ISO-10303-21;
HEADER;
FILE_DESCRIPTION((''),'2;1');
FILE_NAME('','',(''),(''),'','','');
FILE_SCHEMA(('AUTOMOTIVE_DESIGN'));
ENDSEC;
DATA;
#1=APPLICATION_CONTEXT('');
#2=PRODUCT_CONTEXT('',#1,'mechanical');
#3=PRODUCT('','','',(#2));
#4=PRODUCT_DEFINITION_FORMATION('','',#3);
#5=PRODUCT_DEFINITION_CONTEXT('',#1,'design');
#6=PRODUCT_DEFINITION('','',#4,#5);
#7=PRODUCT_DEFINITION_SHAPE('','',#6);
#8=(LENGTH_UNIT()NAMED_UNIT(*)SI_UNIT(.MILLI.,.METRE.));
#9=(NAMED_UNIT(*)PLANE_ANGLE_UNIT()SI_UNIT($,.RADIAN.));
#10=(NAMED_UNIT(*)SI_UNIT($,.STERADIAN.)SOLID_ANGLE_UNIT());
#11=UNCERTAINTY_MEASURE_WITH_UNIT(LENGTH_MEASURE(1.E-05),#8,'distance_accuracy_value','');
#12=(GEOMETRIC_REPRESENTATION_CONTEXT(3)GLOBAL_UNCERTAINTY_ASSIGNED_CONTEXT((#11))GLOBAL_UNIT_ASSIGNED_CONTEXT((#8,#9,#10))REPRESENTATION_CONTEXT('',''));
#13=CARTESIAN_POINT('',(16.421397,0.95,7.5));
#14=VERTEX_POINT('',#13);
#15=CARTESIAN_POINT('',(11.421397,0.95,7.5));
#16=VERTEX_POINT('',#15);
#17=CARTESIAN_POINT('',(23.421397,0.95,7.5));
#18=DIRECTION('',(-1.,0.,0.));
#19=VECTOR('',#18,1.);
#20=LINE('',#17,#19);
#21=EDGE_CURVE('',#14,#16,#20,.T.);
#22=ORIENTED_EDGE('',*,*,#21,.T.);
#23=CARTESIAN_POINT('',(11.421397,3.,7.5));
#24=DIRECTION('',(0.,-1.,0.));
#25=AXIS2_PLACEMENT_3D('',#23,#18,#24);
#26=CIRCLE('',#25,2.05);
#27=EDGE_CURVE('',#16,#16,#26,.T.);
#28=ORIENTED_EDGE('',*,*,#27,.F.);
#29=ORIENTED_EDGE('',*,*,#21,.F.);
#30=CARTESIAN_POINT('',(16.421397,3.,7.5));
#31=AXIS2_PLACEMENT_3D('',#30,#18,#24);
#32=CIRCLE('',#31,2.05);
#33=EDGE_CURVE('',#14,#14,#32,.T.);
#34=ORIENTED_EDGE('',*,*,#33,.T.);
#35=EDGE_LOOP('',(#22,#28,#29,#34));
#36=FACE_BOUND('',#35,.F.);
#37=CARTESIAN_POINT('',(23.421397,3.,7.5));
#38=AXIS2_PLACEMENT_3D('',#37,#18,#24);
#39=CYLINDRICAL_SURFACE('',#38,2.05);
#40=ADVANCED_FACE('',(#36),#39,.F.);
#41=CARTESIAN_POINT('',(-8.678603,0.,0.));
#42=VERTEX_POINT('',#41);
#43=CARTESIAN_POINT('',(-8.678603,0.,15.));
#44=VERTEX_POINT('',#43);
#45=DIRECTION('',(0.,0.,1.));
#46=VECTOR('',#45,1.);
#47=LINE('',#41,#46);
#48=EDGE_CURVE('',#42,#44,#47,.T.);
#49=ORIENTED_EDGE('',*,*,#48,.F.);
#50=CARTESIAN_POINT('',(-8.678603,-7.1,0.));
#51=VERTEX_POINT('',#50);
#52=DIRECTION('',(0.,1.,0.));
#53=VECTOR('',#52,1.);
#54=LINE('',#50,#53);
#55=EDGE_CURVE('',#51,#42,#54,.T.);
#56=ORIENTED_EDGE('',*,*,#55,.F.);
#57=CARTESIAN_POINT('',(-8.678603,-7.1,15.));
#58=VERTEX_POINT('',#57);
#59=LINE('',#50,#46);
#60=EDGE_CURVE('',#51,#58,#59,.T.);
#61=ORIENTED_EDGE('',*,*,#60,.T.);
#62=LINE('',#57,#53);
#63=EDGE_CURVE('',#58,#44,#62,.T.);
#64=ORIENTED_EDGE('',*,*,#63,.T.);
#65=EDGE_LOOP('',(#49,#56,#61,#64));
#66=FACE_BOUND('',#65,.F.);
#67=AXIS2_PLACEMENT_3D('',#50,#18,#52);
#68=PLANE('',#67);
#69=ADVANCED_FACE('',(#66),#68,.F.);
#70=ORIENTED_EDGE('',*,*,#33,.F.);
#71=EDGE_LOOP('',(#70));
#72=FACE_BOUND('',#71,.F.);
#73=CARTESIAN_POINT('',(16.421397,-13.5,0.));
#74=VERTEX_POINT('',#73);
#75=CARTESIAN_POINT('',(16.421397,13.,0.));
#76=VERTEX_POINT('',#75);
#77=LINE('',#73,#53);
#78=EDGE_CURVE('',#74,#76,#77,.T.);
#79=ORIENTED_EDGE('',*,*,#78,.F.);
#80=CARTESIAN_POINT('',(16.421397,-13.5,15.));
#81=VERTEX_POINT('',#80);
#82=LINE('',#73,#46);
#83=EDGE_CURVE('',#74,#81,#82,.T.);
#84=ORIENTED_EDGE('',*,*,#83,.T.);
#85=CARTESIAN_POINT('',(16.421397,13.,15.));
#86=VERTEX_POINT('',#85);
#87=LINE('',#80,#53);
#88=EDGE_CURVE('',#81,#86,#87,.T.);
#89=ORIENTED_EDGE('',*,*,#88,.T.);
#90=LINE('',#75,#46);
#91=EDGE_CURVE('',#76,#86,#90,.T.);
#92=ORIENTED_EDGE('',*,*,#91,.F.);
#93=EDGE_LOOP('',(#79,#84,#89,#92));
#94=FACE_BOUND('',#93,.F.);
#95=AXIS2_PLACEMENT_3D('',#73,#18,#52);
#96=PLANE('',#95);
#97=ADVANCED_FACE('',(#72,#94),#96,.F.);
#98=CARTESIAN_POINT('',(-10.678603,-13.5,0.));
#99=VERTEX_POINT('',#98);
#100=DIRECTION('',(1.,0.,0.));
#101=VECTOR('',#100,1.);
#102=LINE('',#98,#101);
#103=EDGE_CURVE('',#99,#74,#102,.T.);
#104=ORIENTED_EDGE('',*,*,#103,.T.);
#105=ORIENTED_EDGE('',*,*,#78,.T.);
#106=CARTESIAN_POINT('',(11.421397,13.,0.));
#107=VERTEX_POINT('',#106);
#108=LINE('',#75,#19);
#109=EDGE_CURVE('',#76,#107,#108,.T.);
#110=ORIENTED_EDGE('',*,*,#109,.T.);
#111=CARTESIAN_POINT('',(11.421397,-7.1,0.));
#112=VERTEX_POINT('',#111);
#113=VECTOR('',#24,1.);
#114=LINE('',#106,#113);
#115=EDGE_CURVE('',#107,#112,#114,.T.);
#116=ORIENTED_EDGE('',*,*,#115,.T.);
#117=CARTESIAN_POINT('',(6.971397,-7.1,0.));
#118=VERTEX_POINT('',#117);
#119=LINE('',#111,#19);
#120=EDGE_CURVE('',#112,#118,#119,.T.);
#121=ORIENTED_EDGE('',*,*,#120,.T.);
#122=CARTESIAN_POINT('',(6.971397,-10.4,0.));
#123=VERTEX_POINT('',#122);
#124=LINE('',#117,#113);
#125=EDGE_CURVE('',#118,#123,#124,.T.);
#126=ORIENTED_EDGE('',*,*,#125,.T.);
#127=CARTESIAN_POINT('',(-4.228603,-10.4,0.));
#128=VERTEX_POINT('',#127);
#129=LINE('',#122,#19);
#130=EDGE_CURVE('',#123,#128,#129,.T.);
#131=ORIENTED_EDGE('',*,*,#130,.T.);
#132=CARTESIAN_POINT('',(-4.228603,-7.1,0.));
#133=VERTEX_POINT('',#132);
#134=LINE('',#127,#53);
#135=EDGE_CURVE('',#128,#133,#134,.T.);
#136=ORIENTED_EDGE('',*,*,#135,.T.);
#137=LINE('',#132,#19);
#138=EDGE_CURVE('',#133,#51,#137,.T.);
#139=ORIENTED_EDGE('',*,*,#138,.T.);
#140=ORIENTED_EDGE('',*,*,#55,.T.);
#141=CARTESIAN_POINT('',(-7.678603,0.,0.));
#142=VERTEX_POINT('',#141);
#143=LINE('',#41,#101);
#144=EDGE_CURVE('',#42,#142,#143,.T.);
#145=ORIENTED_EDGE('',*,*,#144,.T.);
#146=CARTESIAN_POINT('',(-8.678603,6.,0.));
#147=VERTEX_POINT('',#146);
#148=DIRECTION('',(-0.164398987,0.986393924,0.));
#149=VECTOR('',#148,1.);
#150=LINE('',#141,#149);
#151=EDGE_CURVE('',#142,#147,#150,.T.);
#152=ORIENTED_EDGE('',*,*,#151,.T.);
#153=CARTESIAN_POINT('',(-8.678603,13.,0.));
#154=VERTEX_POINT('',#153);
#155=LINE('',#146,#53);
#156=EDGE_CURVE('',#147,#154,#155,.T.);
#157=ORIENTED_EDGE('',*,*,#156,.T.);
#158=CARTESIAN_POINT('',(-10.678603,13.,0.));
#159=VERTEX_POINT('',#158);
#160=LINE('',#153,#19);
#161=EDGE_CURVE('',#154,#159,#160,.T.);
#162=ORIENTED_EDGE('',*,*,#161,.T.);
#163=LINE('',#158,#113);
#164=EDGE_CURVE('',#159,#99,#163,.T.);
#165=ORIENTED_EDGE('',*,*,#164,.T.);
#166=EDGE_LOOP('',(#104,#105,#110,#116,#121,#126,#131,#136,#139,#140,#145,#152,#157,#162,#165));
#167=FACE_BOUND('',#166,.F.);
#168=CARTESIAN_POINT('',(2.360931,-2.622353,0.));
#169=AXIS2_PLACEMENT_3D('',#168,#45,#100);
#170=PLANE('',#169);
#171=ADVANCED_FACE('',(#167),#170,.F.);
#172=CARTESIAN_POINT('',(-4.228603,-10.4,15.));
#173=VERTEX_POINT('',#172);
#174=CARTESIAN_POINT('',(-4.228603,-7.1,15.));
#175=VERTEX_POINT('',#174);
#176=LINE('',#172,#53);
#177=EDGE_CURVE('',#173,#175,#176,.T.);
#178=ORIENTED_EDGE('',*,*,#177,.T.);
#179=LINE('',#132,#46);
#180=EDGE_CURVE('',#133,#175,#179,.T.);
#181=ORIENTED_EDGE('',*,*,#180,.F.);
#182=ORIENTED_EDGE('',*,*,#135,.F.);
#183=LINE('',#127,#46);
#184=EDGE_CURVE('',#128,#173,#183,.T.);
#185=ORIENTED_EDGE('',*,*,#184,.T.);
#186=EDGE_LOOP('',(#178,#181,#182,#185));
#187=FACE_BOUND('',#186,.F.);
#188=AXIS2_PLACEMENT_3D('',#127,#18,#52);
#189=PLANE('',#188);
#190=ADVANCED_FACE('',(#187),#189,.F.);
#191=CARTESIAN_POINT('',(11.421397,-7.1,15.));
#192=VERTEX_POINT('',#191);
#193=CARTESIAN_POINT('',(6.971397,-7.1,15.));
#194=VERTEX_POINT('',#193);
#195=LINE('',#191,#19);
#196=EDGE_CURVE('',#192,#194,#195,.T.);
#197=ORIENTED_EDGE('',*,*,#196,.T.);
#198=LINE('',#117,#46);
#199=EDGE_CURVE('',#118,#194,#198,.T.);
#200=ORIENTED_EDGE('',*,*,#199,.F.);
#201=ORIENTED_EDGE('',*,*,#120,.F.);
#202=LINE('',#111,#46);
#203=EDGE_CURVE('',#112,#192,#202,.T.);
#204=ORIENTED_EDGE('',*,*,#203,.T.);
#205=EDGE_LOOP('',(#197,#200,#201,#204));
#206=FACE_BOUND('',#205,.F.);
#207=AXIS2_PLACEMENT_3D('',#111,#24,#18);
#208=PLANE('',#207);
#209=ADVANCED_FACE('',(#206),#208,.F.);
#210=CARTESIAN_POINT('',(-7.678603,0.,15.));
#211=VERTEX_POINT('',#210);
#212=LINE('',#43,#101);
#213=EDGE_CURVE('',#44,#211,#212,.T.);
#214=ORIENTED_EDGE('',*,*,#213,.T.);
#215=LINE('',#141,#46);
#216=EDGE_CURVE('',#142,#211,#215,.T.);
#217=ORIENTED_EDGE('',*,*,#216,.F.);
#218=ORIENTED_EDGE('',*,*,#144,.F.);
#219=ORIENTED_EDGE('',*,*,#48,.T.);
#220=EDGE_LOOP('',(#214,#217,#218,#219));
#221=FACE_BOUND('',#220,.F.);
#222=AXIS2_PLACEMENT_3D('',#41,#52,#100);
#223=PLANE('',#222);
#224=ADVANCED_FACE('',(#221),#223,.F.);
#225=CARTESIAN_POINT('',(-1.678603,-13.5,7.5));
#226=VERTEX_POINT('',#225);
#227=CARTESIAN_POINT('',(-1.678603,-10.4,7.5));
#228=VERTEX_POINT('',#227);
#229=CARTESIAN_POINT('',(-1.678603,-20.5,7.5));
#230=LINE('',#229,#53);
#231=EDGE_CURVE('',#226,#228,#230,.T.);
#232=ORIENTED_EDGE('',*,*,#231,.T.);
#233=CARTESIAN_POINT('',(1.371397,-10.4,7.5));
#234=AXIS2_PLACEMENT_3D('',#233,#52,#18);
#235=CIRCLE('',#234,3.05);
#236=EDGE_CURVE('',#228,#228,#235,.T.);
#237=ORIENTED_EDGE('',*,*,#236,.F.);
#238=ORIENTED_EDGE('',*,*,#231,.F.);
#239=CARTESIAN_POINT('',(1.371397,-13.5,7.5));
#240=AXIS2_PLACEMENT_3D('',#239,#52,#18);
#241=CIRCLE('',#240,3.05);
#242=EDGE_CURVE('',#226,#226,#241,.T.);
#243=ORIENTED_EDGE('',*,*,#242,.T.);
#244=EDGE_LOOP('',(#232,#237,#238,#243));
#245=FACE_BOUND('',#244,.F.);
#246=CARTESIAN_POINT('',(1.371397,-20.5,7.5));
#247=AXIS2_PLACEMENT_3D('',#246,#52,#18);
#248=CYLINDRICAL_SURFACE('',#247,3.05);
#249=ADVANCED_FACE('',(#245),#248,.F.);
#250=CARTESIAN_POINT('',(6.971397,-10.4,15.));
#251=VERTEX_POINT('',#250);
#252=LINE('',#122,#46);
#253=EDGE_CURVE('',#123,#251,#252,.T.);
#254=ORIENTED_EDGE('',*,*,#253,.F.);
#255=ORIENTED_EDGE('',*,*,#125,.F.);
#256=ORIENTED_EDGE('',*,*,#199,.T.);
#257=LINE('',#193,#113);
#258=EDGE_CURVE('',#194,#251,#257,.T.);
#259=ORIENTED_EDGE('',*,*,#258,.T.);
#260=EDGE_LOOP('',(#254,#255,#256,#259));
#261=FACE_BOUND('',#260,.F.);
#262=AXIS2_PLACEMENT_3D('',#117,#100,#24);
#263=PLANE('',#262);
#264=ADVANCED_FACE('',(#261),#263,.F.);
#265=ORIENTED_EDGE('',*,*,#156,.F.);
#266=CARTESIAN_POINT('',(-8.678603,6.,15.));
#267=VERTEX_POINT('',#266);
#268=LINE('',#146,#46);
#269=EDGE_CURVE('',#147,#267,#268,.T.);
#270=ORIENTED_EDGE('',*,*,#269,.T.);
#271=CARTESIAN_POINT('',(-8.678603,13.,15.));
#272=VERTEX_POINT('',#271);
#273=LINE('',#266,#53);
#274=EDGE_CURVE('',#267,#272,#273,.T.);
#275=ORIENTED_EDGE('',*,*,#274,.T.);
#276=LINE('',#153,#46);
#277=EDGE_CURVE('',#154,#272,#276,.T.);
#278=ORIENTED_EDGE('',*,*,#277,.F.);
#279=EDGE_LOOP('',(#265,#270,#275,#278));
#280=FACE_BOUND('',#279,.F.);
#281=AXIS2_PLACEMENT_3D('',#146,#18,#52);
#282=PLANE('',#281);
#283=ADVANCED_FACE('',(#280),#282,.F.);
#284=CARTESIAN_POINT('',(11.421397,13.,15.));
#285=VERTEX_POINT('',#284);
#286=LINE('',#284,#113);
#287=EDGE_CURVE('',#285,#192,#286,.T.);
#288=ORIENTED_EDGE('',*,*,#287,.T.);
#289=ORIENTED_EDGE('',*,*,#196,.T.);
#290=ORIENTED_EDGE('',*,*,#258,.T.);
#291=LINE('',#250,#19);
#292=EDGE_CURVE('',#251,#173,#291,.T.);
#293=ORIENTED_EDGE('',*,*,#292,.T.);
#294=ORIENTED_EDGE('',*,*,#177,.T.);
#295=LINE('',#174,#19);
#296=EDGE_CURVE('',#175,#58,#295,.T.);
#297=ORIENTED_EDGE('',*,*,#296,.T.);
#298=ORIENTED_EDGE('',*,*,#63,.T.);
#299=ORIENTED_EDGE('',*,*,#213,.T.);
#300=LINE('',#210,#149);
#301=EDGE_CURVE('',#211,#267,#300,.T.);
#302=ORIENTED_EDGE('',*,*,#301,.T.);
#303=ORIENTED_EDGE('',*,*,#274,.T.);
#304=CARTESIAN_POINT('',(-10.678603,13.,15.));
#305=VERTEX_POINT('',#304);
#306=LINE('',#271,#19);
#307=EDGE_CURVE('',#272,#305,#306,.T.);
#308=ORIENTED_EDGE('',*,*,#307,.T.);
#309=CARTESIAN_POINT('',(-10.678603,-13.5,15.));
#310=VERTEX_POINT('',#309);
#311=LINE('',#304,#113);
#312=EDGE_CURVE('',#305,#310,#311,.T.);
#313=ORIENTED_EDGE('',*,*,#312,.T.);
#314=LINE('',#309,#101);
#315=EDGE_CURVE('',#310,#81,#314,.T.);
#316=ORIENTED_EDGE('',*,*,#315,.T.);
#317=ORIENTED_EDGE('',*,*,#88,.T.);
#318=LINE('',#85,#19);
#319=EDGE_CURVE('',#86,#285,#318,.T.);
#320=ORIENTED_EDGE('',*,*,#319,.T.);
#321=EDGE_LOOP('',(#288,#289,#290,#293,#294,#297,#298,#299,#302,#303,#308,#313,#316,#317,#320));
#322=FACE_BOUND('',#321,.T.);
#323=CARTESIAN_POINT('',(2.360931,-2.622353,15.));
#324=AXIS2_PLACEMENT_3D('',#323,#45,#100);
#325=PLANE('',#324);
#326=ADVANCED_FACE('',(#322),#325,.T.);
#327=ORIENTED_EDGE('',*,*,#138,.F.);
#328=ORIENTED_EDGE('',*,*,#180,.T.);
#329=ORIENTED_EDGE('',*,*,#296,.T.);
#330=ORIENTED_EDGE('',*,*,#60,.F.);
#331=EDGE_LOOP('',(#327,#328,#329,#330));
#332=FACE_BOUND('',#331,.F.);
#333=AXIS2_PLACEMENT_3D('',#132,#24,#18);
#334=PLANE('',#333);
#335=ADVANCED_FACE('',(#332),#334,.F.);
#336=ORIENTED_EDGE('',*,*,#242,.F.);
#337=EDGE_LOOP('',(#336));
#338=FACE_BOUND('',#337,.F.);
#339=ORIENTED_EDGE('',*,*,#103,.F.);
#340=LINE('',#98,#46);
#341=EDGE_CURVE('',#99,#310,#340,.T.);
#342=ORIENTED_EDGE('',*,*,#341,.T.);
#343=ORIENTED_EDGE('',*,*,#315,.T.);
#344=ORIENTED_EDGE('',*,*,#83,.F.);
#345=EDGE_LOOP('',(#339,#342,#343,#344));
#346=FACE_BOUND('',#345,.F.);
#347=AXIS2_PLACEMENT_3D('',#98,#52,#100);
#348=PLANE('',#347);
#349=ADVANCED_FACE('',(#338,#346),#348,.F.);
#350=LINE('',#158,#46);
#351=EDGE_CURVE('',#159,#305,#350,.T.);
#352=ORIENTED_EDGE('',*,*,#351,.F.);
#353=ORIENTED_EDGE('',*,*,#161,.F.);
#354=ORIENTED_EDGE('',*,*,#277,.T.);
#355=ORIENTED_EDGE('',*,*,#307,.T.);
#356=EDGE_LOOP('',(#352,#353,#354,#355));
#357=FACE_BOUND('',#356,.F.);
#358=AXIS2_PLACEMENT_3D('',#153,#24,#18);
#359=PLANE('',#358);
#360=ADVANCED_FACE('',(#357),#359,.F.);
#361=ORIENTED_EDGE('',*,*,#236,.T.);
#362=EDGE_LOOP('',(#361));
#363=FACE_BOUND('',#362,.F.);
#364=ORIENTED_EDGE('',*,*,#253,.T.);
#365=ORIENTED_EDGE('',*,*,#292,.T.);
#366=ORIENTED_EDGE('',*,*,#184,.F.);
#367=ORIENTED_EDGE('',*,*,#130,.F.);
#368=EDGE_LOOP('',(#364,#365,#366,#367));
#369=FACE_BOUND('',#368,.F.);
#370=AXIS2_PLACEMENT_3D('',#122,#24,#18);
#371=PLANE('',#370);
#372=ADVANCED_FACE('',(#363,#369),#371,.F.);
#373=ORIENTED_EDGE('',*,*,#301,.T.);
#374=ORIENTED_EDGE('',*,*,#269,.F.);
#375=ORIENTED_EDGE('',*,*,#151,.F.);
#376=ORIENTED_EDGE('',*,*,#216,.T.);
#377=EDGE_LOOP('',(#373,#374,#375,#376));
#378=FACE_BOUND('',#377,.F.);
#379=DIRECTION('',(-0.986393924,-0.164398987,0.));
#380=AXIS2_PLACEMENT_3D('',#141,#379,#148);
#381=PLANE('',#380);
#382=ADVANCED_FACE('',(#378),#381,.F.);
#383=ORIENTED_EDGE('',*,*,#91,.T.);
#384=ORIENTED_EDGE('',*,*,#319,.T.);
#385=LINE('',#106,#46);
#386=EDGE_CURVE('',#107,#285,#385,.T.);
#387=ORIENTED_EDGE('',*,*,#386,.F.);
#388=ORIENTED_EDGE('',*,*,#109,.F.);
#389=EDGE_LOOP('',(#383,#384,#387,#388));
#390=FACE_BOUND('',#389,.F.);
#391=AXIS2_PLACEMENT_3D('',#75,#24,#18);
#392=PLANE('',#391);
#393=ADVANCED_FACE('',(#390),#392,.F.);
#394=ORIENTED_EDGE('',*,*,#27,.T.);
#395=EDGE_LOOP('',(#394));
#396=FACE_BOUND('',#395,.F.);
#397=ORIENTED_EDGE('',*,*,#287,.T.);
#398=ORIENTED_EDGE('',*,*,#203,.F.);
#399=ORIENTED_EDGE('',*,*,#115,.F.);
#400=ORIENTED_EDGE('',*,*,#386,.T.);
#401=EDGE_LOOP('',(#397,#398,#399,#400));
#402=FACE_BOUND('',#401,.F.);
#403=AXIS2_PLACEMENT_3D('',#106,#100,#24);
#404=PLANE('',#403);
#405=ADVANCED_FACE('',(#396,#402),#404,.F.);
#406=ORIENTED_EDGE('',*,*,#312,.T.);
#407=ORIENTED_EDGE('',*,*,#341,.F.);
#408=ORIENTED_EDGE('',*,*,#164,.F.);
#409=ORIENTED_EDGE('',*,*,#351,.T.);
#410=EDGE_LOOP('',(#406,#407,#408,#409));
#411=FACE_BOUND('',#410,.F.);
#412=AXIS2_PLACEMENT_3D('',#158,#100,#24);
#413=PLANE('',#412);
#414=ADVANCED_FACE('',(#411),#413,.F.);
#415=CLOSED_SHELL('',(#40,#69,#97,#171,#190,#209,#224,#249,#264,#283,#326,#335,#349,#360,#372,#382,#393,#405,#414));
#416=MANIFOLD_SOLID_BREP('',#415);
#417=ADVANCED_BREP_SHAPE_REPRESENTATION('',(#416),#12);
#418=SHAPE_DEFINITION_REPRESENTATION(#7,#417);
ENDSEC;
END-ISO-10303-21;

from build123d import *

# Parameters (mm, degrees)
F1_DEPTH = 15
F4_D     = 4.1
F4_DEPTH = 7
F5_D     = 6.1
F5_DEPTH = 7


with BuildPart() as f1:
    # F0 (on Top) → F1 (new body)
    with BuildSketch(Plane.XY):
        Polygon((-8.678603, 13), (-10.678603, 13), (-10.678603, -13.5), (16.421397, -13.5), (16.421397, 13), (11.421397, 13), (11.421397, -7.1), (6.971397, -7.1), (6.971397, -10.4), (-4.228603, -10.4), (-4.228603, -7.1), (-8.678603, -7.1), (-8.678603, 0), (-7.678603, 0), (-8.678603, 6), align=None)
    extrude(amount=F1_DEPTH)

    # F4
    with Locations(Plane.YZ.offset(16.421397)):
        with Locations((3, 7.5)):
            Hole(F4_D / 2, depth=F4_DEPTH)

    # F5
    with Locations(Plane.XZ.offset(13.5)):
        with Locations((1.371397, 7.5)):
            Hole(F5_D / 2, depth=F5_DEPTH)


solid = f1.part
